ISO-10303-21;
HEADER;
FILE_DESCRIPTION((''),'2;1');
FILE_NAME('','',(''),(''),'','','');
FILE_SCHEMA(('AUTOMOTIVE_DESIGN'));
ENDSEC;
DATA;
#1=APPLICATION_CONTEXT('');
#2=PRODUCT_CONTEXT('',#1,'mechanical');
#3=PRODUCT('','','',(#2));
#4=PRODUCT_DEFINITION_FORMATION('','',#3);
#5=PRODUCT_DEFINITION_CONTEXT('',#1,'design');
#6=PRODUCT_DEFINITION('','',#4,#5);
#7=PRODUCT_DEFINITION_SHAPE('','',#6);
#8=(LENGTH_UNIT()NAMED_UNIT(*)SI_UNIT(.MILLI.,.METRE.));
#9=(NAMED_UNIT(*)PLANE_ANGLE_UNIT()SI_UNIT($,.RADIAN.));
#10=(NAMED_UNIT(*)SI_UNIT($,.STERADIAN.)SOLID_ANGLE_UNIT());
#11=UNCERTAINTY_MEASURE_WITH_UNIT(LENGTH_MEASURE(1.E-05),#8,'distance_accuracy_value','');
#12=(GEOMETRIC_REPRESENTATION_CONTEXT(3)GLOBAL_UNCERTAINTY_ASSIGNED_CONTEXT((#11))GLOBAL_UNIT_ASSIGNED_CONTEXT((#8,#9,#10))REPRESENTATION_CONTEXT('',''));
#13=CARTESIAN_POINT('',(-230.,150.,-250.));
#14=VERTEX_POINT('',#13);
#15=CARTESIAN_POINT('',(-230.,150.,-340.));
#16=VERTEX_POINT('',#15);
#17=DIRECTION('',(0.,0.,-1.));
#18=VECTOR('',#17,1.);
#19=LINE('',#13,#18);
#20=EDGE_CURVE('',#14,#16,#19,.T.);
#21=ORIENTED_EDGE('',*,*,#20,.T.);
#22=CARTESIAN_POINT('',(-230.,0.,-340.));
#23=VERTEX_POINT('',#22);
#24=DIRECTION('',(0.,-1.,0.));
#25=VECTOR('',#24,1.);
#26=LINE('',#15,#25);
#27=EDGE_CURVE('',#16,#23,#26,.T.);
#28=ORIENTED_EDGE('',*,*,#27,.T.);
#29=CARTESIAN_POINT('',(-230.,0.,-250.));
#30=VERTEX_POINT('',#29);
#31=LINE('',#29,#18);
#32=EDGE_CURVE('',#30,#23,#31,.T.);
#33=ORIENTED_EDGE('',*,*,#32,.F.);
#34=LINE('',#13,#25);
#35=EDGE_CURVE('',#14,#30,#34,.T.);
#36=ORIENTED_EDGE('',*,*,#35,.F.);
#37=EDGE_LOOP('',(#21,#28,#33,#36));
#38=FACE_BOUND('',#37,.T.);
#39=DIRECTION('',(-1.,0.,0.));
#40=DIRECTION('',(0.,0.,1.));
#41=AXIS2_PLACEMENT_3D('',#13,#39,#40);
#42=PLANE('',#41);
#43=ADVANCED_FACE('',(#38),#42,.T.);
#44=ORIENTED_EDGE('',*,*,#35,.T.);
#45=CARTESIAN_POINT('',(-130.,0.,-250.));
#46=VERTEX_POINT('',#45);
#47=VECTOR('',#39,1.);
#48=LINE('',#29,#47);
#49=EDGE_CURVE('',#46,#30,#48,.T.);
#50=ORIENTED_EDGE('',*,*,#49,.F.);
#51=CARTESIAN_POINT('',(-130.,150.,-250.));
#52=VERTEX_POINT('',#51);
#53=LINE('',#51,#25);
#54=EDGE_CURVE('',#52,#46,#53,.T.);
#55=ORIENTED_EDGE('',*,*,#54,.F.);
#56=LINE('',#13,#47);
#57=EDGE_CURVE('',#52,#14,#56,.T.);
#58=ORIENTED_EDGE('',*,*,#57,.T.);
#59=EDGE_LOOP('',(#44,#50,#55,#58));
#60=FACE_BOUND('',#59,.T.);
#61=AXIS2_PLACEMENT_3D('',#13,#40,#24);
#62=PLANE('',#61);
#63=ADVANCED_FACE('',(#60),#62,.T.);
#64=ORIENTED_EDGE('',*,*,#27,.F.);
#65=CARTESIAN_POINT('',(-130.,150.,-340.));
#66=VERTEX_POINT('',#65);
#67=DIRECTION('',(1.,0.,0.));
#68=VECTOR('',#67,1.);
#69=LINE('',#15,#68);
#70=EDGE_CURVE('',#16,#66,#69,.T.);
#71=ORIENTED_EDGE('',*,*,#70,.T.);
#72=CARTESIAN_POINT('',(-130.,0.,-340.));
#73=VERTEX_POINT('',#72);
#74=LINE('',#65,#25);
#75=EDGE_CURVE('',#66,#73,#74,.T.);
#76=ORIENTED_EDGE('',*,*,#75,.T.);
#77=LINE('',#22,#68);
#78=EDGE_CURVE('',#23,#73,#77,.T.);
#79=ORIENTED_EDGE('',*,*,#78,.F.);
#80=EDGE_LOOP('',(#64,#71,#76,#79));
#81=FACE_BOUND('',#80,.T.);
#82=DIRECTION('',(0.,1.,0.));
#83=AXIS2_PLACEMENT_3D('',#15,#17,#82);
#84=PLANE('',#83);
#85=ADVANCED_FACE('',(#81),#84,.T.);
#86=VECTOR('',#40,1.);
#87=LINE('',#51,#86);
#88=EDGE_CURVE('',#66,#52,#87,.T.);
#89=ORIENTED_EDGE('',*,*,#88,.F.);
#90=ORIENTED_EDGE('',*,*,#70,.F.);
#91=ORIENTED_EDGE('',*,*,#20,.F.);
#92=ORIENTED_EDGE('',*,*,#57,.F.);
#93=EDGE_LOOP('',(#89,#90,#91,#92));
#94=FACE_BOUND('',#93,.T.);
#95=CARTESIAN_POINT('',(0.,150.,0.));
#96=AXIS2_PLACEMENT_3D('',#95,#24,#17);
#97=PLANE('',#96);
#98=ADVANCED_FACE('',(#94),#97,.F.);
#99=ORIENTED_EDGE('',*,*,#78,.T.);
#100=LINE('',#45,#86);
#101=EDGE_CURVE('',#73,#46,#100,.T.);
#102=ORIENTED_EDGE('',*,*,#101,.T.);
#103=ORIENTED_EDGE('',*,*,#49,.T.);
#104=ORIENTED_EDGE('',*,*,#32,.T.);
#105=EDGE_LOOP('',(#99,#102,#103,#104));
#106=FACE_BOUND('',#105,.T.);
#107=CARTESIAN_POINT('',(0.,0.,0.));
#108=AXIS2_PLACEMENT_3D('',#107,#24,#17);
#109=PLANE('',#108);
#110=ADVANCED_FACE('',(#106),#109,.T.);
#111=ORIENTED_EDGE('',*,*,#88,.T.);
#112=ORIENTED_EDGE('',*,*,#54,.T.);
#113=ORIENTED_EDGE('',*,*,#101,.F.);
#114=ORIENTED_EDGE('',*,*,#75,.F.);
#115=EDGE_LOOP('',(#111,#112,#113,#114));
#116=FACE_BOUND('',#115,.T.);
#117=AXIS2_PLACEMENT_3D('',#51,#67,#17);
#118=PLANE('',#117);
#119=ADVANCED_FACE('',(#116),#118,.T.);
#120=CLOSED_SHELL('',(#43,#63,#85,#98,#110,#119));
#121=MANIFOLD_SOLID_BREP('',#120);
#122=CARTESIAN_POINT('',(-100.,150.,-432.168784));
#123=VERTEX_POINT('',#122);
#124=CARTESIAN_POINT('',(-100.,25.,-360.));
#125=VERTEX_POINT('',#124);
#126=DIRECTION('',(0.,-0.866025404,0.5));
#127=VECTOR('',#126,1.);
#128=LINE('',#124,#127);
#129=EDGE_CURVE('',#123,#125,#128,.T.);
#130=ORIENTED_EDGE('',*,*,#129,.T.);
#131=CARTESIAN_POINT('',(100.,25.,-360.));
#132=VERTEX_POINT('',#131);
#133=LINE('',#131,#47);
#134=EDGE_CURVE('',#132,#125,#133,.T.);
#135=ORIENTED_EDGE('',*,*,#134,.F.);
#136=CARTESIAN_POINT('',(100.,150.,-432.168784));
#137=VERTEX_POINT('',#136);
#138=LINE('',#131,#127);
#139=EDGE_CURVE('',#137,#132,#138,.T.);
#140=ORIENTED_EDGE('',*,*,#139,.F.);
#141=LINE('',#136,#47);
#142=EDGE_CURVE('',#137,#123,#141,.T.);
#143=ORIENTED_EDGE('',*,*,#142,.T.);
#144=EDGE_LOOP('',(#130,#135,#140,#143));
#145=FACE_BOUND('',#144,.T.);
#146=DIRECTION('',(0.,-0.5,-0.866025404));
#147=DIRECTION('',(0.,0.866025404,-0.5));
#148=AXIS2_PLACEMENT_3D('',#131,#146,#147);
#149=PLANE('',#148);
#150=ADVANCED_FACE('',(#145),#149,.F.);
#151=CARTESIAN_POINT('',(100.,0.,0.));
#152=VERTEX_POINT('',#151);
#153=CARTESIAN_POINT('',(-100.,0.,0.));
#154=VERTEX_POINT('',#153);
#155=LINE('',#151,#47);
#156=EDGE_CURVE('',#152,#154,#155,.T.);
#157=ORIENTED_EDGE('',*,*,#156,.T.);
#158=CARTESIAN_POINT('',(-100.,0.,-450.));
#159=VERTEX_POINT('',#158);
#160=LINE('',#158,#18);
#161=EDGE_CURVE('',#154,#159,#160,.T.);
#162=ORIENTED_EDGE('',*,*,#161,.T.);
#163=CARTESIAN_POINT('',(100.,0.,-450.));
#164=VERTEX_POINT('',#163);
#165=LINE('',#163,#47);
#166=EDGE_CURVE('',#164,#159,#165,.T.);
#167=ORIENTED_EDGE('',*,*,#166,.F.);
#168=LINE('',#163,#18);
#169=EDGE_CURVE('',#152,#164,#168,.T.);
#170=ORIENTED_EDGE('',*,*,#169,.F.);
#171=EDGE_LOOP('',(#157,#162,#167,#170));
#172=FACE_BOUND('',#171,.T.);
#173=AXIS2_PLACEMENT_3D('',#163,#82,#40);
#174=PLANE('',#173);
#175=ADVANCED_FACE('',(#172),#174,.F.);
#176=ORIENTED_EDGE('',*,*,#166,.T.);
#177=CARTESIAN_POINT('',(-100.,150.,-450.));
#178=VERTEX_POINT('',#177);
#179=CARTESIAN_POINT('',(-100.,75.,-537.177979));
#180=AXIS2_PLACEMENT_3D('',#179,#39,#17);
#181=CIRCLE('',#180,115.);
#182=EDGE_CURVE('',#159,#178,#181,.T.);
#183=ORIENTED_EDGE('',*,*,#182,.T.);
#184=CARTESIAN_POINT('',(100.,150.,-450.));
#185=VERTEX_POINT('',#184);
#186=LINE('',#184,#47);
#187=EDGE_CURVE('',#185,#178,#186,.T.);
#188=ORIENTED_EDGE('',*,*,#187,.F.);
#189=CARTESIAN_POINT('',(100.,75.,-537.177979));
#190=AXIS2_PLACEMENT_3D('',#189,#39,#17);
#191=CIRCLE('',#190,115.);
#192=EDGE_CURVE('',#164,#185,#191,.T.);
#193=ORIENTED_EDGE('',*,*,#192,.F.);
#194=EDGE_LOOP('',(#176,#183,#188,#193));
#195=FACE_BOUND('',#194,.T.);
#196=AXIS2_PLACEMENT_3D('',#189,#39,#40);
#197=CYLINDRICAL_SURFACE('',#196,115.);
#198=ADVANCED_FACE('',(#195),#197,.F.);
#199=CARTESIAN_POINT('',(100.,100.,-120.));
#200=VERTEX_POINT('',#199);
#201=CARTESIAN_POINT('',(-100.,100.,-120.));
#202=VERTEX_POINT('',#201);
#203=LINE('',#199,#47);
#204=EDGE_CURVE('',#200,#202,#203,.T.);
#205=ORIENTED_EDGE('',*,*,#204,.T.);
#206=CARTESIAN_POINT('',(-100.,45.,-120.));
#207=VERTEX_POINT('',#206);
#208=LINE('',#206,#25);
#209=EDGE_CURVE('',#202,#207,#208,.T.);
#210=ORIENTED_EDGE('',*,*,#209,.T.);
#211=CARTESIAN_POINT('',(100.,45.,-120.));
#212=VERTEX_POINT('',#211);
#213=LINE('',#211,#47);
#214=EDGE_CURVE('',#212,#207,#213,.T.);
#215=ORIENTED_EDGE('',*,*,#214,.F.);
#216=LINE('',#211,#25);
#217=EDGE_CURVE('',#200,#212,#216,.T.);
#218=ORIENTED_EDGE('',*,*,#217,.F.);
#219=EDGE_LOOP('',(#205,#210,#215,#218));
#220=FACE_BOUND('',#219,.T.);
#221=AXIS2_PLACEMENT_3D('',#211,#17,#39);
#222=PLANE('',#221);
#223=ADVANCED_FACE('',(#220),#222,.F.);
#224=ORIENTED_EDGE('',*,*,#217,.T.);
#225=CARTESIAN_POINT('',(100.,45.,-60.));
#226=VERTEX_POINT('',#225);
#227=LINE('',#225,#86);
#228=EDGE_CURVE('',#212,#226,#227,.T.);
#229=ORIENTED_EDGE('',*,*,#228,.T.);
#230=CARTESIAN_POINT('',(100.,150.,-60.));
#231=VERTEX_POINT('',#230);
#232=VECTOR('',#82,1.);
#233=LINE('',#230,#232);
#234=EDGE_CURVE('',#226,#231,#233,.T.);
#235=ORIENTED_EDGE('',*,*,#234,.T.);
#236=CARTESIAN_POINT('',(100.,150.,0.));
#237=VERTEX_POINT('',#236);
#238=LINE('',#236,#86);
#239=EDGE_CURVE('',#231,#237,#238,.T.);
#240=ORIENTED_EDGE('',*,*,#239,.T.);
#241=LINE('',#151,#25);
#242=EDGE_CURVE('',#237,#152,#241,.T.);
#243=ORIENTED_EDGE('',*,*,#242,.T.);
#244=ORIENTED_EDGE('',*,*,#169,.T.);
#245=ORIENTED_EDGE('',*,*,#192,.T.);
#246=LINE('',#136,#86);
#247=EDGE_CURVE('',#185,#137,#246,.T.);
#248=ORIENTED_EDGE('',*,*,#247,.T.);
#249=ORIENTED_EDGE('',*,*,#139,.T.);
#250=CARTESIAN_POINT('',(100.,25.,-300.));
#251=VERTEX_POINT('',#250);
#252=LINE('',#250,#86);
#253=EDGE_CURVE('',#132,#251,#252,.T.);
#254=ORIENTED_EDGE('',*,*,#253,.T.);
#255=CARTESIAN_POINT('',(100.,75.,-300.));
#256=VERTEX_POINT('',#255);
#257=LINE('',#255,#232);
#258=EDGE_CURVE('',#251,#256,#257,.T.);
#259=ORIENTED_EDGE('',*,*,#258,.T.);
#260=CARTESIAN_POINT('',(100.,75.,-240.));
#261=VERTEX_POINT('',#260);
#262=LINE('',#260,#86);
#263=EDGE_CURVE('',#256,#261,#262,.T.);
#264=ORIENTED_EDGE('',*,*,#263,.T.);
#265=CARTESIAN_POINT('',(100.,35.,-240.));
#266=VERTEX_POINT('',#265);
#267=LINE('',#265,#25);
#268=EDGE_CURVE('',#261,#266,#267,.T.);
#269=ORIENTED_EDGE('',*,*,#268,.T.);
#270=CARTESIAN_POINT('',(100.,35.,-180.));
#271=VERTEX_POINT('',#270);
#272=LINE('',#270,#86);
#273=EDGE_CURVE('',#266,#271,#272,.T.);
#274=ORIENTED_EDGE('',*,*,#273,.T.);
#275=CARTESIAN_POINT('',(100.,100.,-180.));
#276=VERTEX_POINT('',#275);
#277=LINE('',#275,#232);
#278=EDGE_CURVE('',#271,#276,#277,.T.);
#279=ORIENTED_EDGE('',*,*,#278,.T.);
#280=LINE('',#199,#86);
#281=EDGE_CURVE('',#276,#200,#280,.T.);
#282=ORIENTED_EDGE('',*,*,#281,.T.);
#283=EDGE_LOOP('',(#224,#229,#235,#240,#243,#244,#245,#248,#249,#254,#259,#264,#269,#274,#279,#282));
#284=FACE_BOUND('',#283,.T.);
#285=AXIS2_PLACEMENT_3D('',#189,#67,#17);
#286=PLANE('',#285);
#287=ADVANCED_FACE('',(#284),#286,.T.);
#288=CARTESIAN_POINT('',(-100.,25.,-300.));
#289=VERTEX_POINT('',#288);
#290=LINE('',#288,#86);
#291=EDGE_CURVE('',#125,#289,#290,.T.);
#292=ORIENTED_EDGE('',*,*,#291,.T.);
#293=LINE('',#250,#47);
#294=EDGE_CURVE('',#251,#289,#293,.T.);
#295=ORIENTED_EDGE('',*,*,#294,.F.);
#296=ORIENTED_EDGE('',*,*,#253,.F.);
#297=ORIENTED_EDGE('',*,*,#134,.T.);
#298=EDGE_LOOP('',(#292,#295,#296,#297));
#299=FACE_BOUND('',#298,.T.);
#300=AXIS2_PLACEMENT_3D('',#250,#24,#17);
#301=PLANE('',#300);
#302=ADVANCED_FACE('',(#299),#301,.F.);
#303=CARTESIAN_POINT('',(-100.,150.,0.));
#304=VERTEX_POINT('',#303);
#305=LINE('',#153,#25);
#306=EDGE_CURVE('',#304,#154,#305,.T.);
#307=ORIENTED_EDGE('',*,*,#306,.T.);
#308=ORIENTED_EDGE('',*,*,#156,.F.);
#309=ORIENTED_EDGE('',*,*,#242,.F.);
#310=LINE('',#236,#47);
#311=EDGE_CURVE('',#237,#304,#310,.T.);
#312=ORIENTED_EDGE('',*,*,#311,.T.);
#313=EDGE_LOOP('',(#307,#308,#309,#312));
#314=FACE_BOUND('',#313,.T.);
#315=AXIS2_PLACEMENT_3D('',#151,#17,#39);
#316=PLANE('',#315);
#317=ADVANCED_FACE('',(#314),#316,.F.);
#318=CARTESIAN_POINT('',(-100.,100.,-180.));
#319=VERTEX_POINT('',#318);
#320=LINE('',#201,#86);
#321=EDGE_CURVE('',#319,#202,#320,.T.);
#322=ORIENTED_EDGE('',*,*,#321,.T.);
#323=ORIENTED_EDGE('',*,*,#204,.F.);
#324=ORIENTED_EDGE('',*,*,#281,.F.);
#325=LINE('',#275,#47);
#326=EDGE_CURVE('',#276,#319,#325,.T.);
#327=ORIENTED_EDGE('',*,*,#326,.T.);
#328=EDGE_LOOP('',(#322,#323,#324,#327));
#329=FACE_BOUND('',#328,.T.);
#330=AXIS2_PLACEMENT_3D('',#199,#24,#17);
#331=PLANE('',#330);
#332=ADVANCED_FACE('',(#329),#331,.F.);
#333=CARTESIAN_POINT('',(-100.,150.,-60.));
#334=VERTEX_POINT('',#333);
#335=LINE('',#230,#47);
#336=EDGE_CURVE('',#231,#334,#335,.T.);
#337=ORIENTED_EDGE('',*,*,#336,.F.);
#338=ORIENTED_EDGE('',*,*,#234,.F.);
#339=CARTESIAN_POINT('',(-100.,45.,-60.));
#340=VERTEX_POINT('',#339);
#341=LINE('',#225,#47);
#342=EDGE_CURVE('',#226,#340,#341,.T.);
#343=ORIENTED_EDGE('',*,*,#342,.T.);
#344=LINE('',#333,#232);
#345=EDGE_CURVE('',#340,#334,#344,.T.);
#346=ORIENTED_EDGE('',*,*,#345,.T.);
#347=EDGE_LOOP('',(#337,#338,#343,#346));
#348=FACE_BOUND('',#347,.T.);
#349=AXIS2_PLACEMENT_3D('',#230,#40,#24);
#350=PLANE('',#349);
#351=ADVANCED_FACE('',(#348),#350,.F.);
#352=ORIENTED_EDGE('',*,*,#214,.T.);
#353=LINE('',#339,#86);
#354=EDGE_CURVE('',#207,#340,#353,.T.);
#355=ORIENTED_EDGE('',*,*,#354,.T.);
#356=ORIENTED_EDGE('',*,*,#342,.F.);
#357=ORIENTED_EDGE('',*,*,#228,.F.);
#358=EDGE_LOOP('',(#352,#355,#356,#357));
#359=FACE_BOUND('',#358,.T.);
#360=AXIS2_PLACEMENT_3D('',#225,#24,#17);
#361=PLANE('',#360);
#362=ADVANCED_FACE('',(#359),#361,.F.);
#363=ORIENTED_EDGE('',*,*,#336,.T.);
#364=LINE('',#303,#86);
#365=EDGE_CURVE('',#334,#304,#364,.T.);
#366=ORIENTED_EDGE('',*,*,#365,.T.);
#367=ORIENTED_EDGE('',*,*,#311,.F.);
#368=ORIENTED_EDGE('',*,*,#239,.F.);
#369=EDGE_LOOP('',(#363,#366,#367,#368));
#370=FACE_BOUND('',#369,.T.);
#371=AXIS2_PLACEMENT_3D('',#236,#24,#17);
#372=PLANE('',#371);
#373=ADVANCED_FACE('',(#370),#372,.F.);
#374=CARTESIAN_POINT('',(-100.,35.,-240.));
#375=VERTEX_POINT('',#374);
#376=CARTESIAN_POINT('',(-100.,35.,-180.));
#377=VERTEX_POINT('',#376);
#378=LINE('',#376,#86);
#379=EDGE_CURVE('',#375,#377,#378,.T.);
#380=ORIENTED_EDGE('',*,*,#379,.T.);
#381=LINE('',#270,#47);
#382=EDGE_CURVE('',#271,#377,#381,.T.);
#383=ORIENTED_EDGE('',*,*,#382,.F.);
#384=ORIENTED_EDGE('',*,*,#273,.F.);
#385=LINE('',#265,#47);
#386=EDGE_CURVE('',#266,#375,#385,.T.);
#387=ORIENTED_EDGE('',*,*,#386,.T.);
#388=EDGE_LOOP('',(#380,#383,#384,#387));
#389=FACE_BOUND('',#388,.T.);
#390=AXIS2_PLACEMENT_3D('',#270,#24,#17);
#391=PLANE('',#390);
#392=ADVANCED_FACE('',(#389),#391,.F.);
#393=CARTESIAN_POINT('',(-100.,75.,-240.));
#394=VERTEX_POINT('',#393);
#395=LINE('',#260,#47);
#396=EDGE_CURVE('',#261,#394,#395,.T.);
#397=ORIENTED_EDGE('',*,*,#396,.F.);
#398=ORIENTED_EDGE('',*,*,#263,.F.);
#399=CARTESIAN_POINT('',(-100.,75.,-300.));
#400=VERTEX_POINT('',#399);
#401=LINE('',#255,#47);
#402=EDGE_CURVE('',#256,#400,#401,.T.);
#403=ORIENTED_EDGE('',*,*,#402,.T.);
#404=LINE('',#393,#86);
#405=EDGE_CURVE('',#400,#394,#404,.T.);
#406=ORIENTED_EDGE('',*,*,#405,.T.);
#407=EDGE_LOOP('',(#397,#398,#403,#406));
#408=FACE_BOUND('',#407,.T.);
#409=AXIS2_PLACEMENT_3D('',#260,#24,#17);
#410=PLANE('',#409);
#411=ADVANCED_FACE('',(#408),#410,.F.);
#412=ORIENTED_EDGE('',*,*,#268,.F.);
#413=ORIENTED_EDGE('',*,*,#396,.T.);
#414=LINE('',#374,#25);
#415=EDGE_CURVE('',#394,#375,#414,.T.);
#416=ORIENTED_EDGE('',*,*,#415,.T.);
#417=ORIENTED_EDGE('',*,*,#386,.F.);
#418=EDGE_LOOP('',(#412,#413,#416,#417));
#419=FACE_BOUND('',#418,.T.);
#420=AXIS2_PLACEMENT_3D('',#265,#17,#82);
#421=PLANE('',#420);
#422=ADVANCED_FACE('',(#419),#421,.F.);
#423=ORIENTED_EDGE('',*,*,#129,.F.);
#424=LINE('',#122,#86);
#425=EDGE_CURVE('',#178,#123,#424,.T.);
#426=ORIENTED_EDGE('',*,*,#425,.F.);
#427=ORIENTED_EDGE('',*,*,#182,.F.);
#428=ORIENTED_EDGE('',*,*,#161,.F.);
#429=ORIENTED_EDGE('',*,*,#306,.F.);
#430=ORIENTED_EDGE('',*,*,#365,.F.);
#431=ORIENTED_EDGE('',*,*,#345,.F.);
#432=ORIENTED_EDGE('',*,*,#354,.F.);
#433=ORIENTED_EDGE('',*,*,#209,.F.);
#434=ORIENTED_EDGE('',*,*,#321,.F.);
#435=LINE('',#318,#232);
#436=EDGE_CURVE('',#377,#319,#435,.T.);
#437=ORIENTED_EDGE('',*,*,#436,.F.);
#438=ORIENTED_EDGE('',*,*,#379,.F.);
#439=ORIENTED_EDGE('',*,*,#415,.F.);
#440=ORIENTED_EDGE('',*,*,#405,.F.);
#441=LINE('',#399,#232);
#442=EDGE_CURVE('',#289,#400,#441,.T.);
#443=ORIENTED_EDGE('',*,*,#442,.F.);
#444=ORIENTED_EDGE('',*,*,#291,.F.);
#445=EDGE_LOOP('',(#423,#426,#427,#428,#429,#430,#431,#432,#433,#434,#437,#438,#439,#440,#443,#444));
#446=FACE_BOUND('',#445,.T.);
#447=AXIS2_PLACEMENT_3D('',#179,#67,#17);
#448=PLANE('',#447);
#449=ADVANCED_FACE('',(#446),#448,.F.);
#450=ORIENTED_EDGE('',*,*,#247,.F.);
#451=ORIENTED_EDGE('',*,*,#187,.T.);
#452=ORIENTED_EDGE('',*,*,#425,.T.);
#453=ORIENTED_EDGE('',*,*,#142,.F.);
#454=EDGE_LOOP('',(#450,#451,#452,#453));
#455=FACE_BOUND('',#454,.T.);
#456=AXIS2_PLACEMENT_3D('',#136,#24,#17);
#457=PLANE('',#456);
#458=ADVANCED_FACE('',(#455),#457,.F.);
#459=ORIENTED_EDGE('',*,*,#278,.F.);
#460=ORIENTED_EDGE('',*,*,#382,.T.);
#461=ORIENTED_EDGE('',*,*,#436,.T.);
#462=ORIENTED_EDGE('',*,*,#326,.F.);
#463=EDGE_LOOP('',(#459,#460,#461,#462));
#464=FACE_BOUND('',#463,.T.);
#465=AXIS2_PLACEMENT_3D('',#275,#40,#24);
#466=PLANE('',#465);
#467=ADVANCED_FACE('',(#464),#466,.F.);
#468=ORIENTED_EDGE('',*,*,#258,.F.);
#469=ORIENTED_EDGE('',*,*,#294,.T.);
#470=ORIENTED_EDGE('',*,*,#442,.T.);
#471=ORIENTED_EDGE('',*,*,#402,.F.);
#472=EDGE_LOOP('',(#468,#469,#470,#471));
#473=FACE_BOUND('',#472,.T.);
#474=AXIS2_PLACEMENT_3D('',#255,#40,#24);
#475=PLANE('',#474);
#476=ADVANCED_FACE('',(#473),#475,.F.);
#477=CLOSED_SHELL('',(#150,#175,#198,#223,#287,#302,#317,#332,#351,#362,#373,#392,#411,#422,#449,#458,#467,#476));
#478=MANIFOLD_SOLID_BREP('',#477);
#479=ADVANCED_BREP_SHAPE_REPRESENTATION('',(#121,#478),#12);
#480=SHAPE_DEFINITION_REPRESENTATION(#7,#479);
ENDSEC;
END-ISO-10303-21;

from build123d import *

# Parameters (mm, degrees)
BOSS_EXTRUDE1_DEPTH = 100
SKETCH2_W           = 100
SKETCH2_H           = 90
BOSS_EXTRUDE2_DEPTH = 150


with BuildPart() as part:
    # Sketch1 → Boss-Extrude1 (new, symmetric)
    with BuildSketch(Plane(origin=(0, 0, 0), x_dir=(0, 0, -1), z_dir=(1, 0, 0))):
        with BuildLine():
            Line((0, 0), (0, 150))
            Line((0, 150), (60, 150))
            Line((60, 150), (60, 45))
            Line((60, 45), (120, 45))
            Line((120, 45), (120, 100))
            Line((120, 100), (180, 100))
            Line((180, 100), (180, 35))
            Line((180, 35), (240, 35))
            Line((240, 35), (240, 75))
            Line((240, 75), (300, 75))
            Line((300, 75), (300, 25))
            Line((300, 25), (360, 25))
            Line((360, 25), (432.168783649, 150))
            Line((432.168783649, 150), (450, 150))
            ThreePointArc((450, 150), (422.177978871, 75), (450, 0))
            Line((450, 0), (0, 0))
        make_face()
    extrude(amount=BOSS_EXTRUDE1_DEPTH, both=True)


with BuildPart() as body_2:
    # Sketch2 → Boss-Extrude2 (new body)
    with BuildSketch(Plane.XZ):
        with Locations((-180, -295)):
            Rectangle(SKETCH2_W, SKETCH2_H)
    extrude(amount=-BOSS_EXTRUDE2_DEPTH)


solid = Compound([part.part, body_2.part])
